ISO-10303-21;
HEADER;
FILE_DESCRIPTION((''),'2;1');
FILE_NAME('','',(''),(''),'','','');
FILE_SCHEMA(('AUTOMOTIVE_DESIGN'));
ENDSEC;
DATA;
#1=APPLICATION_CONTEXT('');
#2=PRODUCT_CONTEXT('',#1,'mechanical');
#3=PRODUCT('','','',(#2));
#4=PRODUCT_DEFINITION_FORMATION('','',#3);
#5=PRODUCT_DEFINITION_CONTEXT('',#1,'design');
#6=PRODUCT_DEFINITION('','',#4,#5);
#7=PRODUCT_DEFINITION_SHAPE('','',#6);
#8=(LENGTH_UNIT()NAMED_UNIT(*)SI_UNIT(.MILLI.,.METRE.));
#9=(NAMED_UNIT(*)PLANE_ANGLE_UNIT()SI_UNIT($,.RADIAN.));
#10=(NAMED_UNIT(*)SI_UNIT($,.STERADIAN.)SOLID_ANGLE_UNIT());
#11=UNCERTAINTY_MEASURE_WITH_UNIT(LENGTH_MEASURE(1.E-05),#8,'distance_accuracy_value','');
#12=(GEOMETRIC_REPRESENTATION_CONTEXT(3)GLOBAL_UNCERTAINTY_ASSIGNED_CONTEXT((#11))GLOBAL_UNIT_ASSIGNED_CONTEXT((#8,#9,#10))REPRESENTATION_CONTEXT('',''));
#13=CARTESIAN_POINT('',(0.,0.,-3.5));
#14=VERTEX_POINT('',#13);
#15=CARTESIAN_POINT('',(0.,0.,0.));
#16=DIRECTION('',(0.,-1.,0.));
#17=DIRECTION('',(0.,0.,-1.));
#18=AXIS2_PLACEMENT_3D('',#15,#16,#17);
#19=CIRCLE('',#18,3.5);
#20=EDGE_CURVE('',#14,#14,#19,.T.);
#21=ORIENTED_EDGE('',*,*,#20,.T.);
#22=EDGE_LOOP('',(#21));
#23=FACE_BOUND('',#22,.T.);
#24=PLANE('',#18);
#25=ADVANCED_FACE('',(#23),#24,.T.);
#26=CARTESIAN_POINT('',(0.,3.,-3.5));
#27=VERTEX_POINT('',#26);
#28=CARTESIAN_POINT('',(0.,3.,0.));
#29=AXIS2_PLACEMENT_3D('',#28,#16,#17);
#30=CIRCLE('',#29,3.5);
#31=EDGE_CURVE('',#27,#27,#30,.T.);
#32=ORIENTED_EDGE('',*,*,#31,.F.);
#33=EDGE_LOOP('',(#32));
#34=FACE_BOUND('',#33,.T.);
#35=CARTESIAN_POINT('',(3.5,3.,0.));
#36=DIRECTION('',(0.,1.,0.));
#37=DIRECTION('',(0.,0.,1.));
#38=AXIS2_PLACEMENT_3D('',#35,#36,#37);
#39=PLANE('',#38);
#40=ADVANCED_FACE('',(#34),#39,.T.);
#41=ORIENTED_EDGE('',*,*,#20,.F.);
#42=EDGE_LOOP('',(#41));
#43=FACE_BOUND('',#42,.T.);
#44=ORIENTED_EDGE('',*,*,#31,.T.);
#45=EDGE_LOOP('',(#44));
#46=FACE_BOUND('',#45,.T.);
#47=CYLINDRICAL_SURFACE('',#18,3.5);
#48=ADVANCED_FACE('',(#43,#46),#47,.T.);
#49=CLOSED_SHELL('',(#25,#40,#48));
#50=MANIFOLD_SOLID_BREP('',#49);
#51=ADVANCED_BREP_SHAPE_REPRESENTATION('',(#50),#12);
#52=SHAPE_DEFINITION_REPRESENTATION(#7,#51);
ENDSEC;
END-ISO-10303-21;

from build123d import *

# Parameters (mm, degrees)
SKETCH_1_W = 3.5
SKETCH_1_H = 3


with BuildPart() as part:
    # 草图1 → Revolve 2 (revolve)
    with BuildSketch(Plane.XY, mode=Mode.PRIVATE) as revolve_2_sk:
        with Locations((1.75, 1.5)):
            Rectangle(SKETCH_1_W, SKETCH_1_H)
    revolve(revolve_2_sk.sketch.rotate(Axis((0, 0, 0), (0, 1, 0)), 90), axis=Axis((0, 0, 0), (0, 1, 0)))


solid = part.part
